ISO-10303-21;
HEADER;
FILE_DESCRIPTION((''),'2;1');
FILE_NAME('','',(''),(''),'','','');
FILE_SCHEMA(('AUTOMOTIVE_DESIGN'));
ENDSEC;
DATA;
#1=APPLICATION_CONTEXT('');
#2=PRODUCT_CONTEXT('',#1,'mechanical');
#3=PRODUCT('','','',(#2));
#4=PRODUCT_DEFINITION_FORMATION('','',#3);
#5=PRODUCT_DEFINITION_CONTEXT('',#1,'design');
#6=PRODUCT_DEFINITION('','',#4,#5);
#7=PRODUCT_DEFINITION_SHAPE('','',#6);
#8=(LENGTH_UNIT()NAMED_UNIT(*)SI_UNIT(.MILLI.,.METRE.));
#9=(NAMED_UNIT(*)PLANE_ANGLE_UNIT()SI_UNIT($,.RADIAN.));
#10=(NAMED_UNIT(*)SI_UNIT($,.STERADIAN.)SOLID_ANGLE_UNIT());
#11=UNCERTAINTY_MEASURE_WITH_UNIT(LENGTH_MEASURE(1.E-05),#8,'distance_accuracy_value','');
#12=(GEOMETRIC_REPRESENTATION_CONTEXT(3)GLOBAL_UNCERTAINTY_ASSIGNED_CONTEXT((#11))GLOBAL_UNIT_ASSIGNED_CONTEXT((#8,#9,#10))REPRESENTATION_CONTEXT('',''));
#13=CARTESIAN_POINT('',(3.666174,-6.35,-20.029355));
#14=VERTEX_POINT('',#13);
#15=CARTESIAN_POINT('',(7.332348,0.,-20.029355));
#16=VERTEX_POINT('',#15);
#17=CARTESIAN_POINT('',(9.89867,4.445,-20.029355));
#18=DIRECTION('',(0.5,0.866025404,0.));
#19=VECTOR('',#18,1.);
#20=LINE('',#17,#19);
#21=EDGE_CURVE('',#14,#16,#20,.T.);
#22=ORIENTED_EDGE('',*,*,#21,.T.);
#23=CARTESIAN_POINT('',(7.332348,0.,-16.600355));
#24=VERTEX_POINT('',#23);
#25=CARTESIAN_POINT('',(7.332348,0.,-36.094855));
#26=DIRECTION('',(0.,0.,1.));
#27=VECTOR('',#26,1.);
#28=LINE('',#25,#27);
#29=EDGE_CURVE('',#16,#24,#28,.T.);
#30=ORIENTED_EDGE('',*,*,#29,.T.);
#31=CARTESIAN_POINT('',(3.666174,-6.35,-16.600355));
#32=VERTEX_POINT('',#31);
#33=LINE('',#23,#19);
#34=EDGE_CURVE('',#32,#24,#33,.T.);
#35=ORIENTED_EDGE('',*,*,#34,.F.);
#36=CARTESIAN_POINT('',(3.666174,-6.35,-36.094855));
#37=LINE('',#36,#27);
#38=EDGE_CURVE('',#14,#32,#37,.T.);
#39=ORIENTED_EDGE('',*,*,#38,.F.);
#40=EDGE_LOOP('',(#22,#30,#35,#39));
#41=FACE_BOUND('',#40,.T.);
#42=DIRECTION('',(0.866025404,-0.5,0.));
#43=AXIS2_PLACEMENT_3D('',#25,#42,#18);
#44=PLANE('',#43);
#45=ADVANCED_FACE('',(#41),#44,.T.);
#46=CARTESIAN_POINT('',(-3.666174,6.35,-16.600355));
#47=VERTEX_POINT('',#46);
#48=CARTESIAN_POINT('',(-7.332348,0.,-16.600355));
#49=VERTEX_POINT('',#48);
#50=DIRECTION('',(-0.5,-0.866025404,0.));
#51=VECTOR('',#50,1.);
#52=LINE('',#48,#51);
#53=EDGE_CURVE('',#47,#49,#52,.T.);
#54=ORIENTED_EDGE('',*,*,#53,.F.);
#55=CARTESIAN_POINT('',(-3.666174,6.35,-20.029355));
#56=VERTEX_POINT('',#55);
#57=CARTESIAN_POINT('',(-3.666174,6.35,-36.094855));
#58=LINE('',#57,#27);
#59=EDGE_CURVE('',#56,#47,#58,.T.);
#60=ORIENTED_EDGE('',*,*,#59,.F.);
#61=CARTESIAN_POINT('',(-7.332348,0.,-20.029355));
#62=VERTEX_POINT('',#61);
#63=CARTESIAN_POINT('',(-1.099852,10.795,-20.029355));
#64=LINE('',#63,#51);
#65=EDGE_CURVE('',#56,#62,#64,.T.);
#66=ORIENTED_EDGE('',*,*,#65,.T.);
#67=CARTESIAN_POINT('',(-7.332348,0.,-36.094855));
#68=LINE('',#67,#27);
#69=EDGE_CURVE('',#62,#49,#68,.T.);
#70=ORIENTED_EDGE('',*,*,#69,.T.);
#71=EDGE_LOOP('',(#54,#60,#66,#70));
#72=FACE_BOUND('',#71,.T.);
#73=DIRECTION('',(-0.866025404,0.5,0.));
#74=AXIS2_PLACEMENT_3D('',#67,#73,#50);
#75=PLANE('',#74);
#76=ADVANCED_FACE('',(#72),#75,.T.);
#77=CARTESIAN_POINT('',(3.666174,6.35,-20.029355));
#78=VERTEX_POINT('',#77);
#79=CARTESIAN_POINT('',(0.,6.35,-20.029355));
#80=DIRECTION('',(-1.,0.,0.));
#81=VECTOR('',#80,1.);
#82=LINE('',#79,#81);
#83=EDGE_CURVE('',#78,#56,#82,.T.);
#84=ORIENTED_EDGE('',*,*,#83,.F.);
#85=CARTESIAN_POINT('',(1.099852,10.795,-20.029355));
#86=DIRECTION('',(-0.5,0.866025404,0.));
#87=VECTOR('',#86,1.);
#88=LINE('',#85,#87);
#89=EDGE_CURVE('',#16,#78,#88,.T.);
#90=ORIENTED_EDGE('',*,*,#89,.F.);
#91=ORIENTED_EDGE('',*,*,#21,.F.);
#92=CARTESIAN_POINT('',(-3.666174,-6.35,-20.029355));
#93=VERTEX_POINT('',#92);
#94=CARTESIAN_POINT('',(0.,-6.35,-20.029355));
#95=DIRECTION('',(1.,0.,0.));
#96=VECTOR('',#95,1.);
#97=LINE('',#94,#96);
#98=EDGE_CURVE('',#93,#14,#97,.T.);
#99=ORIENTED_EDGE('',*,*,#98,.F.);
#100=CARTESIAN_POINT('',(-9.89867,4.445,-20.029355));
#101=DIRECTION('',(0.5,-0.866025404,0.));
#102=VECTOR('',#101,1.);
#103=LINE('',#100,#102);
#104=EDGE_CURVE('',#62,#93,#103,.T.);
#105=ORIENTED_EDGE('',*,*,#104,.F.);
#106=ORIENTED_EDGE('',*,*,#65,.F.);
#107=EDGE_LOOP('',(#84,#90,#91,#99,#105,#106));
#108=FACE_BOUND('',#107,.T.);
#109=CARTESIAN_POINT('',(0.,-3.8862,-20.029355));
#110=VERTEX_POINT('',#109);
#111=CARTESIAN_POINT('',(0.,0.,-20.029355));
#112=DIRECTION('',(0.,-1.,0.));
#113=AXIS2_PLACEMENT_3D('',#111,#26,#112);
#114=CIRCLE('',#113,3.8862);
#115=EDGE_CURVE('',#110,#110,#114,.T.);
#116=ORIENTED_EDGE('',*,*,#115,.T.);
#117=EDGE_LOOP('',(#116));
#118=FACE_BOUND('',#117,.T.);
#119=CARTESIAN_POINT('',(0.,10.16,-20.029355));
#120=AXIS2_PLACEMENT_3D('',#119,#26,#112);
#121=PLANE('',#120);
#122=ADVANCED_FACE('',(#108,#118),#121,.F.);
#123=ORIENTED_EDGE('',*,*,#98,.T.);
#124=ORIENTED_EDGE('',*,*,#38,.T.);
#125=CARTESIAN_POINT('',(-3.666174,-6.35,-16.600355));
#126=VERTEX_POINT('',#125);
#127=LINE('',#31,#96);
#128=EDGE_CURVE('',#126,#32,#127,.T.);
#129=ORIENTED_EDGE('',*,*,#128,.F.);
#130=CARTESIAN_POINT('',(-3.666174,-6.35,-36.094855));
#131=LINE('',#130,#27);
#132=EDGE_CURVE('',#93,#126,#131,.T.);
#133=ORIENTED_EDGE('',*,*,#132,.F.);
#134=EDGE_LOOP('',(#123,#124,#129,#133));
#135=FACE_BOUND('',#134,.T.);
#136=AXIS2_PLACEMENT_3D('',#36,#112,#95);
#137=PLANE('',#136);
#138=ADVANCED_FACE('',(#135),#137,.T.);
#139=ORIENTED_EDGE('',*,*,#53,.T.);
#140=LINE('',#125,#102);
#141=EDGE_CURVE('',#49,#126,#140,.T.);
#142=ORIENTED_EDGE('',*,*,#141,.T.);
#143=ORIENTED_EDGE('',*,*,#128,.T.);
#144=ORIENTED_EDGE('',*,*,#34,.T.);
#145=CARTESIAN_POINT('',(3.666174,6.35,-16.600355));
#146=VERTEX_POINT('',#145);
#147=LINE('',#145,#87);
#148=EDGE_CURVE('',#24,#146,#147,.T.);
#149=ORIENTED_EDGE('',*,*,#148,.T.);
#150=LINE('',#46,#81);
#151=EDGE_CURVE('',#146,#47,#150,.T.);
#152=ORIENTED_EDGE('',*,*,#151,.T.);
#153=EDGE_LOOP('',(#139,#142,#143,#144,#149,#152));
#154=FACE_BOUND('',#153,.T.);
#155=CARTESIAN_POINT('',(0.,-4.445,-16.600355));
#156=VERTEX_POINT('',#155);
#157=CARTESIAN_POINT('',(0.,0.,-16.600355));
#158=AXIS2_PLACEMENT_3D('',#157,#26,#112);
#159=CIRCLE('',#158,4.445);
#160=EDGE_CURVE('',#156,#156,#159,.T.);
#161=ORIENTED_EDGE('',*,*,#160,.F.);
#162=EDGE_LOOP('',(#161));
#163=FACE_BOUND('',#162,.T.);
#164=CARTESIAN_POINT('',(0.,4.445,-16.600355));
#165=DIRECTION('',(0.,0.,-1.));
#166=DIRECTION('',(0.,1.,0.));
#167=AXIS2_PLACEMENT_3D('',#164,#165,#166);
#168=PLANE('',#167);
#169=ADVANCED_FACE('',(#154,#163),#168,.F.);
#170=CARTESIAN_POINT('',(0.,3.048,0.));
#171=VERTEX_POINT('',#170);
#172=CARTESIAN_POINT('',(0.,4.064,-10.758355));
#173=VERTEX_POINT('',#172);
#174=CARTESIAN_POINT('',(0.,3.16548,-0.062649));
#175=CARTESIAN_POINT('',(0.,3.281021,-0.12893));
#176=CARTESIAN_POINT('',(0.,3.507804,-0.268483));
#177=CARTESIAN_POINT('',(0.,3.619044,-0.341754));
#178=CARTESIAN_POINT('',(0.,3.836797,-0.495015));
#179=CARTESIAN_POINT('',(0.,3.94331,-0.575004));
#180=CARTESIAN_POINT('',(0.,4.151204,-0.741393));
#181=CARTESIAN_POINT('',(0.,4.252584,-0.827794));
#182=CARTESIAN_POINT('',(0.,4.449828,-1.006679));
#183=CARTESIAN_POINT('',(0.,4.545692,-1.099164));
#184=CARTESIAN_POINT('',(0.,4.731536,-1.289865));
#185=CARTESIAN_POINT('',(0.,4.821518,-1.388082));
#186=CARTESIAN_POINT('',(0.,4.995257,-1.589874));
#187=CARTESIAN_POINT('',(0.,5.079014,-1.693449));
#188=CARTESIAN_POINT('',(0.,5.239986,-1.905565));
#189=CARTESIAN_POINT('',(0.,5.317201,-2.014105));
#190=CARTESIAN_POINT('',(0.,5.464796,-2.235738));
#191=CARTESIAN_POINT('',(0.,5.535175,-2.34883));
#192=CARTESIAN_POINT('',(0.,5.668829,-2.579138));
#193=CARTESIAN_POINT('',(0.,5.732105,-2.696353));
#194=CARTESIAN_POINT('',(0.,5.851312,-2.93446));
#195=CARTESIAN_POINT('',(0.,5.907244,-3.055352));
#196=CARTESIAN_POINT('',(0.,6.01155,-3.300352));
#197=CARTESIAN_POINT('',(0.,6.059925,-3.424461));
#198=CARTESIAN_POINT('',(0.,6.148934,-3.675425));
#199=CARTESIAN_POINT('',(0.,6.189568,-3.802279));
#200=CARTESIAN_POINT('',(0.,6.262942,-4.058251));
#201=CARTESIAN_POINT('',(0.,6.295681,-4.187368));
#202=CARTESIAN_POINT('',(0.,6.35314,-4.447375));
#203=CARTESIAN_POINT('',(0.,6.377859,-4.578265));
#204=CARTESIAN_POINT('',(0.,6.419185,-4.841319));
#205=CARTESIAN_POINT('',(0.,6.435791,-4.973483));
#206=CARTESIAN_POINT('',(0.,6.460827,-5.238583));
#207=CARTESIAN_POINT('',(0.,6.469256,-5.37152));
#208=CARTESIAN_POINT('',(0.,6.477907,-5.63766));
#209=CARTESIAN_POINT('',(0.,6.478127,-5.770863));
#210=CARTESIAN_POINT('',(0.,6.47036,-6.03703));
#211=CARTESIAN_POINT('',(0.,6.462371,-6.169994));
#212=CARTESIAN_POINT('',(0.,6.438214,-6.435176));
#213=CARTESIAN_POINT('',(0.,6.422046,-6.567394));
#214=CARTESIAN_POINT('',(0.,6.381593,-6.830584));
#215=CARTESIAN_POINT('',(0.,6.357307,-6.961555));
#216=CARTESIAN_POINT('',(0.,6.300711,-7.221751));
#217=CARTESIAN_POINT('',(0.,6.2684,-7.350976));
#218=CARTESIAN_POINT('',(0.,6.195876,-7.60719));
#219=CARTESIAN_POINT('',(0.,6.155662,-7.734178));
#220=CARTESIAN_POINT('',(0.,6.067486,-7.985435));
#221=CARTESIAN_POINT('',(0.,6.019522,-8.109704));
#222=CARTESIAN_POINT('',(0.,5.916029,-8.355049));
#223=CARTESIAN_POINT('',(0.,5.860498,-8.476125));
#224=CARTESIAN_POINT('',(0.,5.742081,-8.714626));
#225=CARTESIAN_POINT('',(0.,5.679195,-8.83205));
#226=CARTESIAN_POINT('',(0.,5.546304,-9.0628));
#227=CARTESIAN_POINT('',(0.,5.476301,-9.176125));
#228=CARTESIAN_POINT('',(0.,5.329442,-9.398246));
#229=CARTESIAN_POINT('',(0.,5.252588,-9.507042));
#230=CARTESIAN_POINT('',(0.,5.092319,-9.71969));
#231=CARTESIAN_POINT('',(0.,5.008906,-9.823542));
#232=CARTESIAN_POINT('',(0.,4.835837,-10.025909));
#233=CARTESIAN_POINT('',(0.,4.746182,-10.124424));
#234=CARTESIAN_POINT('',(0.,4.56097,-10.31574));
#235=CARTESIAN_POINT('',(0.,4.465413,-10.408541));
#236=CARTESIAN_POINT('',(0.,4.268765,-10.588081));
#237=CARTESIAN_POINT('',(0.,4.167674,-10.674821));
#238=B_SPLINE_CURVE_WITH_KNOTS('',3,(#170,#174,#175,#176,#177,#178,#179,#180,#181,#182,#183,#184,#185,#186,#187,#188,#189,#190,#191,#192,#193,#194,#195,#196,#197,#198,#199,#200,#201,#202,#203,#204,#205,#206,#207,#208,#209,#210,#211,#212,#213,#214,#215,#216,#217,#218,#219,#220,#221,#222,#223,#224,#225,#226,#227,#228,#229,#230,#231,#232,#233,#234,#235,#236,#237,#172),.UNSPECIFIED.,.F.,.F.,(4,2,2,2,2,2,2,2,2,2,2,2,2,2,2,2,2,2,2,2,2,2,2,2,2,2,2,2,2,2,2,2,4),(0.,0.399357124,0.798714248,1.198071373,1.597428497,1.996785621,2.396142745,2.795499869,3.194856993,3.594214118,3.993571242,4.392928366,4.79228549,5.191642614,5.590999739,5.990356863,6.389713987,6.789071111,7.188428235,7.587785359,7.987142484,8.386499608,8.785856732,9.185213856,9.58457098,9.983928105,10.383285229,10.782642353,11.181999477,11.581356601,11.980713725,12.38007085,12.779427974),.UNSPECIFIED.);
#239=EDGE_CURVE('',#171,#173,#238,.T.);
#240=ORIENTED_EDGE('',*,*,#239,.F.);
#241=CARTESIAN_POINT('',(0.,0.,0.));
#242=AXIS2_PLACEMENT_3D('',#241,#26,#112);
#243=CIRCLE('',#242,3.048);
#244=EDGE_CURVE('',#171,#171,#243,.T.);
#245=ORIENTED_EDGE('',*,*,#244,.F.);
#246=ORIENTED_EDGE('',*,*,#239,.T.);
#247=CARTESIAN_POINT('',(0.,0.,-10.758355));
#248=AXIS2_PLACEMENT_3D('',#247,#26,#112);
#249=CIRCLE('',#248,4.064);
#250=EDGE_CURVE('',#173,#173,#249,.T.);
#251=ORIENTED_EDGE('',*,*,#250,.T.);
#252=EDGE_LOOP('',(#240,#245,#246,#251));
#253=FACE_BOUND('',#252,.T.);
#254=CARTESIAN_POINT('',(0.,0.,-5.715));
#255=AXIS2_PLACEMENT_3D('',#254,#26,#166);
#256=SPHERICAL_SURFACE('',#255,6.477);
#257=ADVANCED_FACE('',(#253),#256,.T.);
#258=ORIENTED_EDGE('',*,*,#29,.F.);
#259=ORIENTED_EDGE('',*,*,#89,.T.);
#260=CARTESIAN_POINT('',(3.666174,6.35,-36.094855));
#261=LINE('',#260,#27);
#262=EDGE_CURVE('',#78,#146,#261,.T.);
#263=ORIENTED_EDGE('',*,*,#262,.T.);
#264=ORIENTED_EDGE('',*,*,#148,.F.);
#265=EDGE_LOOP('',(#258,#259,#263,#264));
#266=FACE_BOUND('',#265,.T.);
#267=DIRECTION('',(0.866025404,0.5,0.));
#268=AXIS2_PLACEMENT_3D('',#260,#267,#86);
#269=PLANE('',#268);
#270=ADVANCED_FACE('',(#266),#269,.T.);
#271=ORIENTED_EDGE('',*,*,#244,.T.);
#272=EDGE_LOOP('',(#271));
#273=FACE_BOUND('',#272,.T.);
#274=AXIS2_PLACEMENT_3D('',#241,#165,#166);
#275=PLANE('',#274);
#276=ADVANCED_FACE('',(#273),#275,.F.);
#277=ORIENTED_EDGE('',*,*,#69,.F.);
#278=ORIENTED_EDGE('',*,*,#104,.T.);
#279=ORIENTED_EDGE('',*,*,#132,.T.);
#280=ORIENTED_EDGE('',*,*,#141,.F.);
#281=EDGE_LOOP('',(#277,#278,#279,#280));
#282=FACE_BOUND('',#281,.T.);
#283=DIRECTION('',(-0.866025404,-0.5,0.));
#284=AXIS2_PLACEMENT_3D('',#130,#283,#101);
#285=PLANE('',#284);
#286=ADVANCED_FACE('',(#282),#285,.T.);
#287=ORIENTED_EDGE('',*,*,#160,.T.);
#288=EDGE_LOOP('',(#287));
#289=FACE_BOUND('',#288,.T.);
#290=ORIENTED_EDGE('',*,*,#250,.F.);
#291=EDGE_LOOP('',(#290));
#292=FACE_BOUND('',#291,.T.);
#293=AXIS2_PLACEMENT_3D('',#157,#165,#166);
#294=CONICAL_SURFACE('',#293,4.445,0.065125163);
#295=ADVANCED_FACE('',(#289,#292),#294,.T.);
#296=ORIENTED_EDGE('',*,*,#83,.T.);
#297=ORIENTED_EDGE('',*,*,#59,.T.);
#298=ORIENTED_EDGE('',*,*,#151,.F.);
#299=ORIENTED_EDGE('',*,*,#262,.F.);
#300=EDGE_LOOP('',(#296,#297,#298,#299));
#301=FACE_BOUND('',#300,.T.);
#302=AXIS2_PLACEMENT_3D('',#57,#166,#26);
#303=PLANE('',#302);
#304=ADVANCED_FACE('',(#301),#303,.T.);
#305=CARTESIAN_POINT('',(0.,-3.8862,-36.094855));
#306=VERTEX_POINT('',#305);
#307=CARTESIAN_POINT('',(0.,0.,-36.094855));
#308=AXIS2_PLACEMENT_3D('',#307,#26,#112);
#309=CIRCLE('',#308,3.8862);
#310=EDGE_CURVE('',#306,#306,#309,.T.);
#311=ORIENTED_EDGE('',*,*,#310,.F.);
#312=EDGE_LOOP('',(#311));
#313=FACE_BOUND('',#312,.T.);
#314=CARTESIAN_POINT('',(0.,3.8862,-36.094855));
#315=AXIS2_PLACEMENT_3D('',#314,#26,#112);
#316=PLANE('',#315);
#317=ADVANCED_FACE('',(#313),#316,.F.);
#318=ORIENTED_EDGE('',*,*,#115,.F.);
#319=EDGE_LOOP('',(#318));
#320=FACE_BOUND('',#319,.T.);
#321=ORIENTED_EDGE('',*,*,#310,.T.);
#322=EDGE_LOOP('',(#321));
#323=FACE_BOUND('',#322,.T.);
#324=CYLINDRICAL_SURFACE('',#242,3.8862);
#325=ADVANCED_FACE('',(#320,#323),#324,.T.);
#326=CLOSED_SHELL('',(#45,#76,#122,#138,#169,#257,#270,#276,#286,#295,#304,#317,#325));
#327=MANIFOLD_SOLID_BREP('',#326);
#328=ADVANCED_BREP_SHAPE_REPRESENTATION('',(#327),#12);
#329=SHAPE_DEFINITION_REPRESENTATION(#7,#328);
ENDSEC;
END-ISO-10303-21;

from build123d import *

# Parameters (mm, degrees)
SKETCH2_R          = 13.92587971
CUT_EXTRUDE1_DEPTH = 25.217488108


with BuildPart() as part:
    # Sketch1 → Revolve1 (revolve)
    with BuildSketch(Plane(origin=(0, 0, 0), x_dir=(0, 0, -1), z_dir=(1, 0, 0)), mode=Mode.PRIVATE) as revolve1_sk:
        with BuildLine():
            Line((0, 0), (36.094855332, 0))
            Line((36.094855332, 0), (36.094855332, 3.8862))
            Line((36.094855332, 3.8862), (20.029355332, 3.8862))
            Line((20.029355332, 3.8862), (20.029355332, 10.16))
            Line((20.029355332, 10.16), (16.600355332, 10.16))
            Line((16.600355332, 10.16), (16.600355332, 4.445))
            Line((16.600355332, 4.445), (10.758355332, 4.064))
            ThreePointArc((10.758355332, 4.064), (5.106033137, 6.448308954), (0, 3.048))
            Line((0, 3.048), (0, 0))
        make_face()
    revolve(revolve1_sk.sketch.rotate(Axis((0, 0, 0), (0, 0, -1)), 180), axis=Axis((0, 0, 0), (0, 0, -1)))

    # Sketch2 → Cut-Extrude1 (cut, through all)
    with BuildSketch(Plane.XY.offset(-16.600355332)):
        Circle(SKETCH2_R)
        Polygon((-3.666174209, 6.35), (3.666174209, 6.35), (7.332348419, 0), (3.666174209, -6.35), (-3.666174209, -6.35), (-7.332348419, 0), align=None, mode=Mode.SUBTRACT)
    extrude(amount=-CUT_EXTRUDE1_DEPTH, mode=Mode.SUBTRACT)


solid = part.part
